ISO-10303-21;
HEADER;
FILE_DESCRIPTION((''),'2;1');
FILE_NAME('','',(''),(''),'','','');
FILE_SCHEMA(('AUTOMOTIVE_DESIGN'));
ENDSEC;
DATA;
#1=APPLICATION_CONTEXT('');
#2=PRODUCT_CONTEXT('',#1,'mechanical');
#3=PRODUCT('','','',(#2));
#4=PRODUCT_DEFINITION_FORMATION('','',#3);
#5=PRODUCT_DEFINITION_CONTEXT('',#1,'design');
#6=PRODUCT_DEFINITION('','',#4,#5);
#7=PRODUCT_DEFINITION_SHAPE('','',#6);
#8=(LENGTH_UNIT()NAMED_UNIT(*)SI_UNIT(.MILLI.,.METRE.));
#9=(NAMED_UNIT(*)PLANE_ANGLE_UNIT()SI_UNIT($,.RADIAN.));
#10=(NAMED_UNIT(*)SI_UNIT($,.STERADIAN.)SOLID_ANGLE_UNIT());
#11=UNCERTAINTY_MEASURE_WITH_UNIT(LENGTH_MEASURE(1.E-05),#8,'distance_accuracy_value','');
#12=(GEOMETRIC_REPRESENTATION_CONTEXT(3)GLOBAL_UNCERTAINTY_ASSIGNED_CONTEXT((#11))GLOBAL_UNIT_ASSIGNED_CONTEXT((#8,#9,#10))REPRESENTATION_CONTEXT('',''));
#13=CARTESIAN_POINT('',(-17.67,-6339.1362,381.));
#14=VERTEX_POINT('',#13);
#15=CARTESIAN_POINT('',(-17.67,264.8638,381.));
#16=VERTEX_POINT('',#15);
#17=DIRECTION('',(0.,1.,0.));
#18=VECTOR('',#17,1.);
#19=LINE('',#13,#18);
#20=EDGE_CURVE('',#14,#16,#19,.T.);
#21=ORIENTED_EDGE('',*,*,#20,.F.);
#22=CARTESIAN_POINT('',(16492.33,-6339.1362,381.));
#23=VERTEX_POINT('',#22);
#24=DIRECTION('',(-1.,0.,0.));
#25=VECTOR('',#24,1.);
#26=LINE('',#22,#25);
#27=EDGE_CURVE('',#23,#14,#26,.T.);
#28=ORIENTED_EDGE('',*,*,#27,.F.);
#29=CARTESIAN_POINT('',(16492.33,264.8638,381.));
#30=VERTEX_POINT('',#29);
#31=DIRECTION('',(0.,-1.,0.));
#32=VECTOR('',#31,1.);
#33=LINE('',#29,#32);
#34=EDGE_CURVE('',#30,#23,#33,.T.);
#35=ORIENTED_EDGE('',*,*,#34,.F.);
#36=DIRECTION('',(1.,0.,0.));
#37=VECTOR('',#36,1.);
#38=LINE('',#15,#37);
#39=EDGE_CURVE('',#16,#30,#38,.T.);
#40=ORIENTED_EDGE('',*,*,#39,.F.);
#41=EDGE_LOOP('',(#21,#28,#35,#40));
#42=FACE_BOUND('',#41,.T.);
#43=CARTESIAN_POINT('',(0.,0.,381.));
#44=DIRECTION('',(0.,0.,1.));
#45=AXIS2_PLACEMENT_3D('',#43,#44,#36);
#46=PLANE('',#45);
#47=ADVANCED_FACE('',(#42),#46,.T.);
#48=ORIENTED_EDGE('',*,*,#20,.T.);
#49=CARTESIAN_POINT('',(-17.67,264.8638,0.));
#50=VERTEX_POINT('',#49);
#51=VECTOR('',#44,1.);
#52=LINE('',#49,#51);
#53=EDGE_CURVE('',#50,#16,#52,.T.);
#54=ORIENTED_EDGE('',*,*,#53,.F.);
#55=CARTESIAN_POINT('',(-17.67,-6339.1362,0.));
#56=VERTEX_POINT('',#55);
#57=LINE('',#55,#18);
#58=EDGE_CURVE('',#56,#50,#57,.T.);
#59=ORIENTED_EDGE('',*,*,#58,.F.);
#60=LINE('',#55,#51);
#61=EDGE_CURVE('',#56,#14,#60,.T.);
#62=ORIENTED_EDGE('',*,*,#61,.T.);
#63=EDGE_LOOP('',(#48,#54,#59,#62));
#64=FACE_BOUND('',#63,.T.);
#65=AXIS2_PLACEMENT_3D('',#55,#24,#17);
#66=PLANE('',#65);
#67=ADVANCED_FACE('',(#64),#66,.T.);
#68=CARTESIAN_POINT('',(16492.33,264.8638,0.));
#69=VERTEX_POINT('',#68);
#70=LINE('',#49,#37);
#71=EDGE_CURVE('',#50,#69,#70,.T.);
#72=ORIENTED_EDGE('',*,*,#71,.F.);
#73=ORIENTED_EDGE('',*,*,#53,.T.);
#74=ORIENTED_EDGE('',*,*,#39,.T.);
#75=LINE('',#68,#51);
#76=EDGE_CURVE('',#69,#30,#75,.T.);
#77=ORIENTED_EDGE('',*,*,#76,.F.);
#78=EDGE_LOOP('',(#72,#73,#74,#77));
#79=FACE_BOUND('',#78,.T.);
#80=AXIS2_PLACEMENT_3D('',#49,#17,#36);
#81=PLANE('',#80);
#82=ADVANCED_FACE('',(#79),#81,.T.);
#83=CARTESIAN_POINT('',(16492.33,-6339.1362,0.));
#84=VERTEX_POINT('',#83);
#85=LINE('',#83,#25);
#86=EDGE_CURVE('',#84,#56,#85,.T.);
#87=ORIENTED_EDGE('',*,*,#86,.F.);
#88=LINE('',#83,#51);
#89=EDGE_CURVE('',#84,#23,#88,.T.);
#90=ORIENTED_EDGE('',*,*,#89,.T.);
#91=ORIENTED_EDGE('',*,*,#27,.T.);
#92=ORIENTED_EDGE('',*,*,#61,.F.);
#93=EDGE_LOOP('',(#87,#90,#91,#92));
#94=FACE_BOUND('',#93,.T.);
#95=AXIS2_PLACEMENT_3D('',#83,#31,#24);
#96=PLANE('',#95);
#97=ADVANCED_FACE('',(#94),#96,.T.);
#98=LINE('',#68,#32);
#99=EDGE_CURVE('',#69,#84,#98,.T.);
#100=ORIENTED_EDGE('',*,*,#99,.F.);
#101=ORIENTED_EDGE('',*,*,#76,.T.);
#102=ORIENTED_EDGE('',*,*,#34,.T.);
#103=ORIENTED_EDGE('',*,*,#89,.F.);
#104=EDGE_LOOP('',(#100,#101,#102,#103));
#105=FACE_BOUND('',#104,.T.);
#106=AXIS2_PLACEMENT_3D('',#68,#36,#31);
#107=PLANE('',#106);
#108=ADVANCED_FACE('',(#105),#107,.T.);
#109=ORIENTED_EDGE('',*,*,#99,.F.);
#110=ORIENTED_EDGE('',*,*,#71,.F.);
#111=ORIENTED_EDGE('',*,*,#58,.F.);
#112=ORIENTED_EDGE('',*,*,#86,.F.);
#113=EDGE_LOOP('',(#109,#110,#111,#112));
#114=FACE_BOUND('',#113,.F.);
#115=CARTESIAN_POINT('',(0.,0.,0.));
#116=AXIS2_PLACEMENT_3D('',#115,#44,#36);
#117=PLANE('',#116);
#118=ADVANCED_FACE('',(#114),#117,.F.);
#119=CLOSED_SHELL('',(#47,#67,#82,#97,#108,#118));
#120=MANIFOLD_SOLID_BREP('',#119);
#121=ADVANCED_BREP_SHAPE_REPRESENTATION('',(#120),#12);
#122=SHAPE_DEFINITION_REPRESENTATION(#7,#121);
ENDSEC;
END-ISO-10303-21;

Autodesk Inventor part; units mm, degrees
ref_plane "YZ Plane" through (0, 0, 0) normal (1, 0, 0) x (0, 1, 0)
ref_plane "XZ Plane" through (0, 0, 0) normal (0, 1, 0) x (-1, 0, 0)
ref_plane "XY Plane" through (0, 0, 0) normal (0, 0, 1) x (1, 0, 0)
sketch "Boceto1" plane through (0, 0, 0) normal (0, 0, 1) x (1, 0, 0)
  line L0 (-17.67, 264.8638) -> (16492.33, 264.8638)
  line L1 (16492.33, 264.8638) -> (16492.33, -6339.1362)
  line L2 (16492.33, -6339.1362) -> (-17.67, -6339.1362)
  line L3 (-17.67, -6339.1362) -> (-17.67, 264.8638)
  point P0 (0, 0)
  dimension "d0" = 16510
  dimension "d1" = 6604
extrude "Extrusión1" add sketch "Boceto1" along normal blind 381
properties part number "tabla"
